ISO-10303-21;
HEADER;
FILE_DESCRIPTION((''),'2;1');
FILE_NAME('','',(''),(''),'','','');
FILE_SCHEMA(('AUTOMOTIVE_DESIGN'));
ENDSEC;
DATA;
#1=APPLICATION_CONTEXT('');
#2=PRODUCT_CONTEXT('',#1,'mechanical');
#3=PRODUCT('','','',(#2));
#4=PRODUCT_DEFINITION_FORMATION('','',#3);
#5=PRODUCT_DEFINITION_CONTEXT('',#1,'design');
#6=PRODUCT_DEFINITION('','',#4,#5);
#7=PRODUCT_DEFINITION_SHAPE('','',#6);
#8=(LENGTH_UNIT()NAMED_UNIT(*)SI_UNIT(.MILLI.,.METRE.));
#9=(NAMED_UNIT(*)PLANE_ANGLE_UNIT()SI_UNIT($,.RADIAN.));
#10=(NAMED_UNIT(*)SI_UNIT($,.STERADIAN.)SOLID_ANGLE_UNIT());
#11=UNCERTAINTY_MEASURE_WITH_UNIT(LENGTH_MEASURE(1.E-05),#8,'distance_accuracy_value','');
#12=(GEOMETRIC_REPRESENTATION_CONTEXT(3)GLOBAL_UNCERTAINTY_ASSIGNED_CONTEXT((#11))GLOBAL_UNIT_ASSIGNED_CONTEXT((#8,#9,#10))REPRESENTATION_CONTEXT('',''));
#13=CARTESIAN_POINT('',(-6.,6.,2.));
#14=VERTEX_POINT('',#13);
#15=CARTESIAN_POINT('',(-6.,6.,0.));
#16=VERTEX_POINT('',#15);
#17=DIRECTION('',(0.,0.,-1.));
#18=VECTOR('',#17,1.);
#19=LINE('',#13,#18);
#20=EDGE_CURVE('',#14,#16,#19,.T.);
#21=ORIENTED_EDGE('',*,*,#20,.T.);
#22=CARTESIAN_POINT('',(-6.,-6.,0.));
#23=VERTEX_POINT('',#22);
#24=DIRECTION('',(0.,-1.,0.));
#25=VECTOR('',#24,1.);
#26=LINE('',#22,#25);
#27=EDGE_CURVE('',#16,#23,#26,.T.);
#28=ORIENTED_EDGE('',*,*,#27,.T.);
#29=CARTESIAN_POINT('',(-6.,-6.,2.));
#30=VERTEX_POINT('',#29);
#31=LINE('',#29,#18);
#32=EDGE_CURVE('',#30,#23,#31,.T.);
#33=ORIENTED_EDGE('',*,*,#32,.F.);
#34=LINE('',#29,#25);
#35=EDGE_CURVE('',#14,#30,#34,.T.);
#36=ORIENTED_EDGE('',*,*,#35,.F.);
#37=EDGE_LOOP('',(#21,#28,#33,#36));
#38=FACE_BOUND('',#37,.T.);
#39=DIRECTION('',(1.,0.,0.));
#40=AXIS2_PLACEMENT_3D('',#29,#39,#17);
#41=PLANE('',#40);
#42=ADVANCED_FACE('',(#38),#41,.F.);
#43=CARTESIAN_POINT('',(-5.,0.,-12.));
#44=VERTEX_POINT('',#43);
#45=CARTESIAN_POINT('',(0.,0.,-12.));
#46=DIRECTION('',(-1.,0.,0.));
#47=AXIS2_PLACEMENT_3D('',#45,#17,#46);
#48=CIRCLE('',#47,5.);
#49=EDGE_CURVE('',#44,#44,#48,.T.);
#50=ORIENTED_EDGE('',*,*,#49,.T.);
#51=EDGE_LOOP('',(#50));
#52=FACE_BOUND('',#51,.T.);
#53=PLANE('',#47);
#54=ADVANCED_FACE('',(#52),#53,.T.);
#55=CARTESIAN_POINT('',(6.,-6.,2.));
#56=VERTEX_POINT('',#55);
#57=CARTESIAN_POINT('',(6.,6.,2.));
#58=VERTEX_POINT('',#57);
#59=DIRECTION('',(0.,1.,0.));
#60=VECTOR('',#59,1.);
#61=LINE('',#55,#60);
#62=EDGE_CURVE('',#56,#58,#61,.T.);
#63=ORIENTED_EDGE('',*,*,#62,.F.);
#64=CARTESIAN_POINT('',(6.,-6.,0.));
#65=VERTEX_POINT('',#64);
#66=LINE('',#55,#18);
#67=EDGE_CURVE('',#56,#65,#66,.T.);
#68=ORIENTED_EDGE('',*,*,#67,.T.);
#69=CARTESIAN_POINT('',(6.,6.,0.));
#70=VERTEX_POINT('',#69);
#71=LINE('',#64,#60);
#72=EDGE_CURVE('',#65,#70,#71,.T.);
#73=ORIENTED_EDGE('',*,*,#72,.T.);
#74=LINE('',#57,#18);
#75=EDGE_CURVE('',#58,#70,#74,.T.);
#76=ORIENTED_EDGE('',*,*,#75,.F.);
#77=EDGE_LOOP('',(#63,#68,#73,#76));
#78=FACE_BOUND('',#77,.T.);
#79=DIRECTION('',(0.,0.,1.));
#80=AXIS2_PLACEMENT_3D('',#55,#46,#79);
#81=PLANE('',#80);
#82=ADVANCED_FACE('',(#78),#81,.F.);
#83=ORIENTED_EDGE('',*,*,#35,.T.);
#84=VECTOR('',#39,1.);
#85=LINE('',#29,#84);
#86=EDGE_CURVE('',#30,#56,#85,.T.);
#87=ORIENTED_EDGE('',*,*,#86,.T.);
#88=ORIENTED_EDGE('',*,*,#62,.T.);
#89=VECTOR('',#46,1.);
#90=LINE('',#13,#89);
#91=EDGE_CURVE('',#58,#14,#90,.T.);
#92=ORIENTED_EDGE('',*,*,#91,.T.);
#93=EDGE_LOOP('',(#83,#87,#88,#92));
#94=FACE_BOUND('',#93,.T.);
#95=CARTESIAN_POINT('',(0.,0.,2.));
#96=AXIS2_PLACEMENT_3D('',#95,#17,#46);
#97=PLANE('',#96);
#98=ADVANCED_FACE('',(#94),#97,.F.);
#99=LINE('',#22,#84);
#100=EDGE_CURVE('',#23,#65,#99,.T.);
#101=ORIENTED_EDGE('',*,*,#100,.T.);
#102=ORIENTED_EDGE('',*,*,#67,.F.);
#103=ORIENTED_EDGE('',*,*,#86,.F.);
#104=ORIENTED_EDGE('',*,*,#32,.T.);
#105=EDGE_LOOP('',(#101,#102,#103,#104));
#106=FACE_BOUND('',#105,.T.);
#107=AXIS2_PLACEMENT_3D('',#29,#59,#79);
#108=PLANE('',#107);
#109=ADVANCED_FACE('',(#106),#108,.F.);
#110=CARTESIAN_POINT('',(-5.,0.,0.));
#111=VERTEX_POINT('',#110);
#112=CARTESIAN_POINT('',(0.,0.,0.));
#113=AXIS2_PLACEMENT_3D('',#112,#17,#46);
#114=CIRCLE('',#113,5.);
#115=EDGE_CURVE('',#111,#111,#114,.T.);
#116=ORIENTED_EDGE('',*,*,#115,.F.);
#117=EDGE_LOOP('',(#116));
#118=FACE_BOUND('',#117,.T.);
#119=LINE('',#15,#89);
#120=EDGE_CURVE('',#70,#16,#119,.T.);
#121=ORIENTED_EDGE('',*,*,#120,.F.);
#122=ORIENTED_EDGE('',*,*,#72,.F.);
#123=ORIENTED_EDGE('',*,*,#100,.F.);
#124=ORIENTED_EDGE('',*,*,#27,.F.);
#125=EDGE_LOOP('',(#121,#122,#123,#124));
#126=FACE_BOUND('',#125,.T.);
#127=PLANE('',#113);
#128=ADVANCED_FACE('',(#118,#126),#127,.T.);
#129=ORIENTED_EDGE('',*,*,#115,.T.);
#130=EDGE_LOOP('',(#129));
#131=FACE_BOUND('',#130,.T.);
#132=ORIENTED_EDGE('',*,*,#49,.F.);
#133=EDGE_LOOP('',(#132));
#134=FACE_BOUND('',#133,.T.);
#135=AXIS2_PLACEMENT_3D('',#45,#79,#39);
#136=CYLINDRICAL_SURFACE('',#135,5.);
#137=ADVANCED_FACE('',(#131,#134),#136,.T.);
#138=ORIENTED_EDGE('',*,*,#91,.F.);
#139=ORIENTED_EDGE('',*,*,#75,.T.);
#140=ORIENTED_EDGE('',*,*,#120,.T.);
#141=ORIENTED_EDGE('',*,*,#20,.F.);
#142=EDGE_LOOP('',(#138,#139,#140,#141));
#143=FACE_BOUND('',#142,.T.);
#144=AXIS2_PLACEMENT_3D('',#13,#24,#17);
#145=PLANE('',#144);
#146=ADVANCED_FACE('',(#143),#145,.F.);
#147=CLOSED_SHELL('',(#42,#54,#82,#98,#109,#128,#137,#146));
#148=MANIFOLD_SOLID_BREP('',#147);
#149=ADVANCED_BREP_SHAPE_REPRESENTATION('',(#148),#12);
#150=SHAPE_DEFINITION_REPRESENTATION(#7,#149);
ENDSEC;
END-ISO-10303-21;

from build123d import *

# Parameters (mm, degrees)
ESQUISSE1_W        = 12
ESQUISSE1_H        = 12
BOSS_EXTRU_1_DEPTH = 2
ESQUISSE3_R        = 5
BOSS_EXTRU_2_DEPTH = 12


with BuildPart() as part:
    # Esquisse1 → Boss.-Extru.1 (new body)
    with BuildSketch(Plane.XY):
        Rectangle(ESQUISSE1_W, ESQUISSE1_H)
    extrude(amount=BOSS_EXTRU_1_DEPTH)

    # Esquisse3 → Boss.-Extru.2 (add)
    with BuildSketch(Plane(origin=(0, 0, 0), x_dir=(-1, 0, 0), z_dir=(0, 0, -1))):
        Circle(ESQUISSE3_R)
    extrude(amount=BOSS_EXTRU_2_DEPTH)


solid = part.part
